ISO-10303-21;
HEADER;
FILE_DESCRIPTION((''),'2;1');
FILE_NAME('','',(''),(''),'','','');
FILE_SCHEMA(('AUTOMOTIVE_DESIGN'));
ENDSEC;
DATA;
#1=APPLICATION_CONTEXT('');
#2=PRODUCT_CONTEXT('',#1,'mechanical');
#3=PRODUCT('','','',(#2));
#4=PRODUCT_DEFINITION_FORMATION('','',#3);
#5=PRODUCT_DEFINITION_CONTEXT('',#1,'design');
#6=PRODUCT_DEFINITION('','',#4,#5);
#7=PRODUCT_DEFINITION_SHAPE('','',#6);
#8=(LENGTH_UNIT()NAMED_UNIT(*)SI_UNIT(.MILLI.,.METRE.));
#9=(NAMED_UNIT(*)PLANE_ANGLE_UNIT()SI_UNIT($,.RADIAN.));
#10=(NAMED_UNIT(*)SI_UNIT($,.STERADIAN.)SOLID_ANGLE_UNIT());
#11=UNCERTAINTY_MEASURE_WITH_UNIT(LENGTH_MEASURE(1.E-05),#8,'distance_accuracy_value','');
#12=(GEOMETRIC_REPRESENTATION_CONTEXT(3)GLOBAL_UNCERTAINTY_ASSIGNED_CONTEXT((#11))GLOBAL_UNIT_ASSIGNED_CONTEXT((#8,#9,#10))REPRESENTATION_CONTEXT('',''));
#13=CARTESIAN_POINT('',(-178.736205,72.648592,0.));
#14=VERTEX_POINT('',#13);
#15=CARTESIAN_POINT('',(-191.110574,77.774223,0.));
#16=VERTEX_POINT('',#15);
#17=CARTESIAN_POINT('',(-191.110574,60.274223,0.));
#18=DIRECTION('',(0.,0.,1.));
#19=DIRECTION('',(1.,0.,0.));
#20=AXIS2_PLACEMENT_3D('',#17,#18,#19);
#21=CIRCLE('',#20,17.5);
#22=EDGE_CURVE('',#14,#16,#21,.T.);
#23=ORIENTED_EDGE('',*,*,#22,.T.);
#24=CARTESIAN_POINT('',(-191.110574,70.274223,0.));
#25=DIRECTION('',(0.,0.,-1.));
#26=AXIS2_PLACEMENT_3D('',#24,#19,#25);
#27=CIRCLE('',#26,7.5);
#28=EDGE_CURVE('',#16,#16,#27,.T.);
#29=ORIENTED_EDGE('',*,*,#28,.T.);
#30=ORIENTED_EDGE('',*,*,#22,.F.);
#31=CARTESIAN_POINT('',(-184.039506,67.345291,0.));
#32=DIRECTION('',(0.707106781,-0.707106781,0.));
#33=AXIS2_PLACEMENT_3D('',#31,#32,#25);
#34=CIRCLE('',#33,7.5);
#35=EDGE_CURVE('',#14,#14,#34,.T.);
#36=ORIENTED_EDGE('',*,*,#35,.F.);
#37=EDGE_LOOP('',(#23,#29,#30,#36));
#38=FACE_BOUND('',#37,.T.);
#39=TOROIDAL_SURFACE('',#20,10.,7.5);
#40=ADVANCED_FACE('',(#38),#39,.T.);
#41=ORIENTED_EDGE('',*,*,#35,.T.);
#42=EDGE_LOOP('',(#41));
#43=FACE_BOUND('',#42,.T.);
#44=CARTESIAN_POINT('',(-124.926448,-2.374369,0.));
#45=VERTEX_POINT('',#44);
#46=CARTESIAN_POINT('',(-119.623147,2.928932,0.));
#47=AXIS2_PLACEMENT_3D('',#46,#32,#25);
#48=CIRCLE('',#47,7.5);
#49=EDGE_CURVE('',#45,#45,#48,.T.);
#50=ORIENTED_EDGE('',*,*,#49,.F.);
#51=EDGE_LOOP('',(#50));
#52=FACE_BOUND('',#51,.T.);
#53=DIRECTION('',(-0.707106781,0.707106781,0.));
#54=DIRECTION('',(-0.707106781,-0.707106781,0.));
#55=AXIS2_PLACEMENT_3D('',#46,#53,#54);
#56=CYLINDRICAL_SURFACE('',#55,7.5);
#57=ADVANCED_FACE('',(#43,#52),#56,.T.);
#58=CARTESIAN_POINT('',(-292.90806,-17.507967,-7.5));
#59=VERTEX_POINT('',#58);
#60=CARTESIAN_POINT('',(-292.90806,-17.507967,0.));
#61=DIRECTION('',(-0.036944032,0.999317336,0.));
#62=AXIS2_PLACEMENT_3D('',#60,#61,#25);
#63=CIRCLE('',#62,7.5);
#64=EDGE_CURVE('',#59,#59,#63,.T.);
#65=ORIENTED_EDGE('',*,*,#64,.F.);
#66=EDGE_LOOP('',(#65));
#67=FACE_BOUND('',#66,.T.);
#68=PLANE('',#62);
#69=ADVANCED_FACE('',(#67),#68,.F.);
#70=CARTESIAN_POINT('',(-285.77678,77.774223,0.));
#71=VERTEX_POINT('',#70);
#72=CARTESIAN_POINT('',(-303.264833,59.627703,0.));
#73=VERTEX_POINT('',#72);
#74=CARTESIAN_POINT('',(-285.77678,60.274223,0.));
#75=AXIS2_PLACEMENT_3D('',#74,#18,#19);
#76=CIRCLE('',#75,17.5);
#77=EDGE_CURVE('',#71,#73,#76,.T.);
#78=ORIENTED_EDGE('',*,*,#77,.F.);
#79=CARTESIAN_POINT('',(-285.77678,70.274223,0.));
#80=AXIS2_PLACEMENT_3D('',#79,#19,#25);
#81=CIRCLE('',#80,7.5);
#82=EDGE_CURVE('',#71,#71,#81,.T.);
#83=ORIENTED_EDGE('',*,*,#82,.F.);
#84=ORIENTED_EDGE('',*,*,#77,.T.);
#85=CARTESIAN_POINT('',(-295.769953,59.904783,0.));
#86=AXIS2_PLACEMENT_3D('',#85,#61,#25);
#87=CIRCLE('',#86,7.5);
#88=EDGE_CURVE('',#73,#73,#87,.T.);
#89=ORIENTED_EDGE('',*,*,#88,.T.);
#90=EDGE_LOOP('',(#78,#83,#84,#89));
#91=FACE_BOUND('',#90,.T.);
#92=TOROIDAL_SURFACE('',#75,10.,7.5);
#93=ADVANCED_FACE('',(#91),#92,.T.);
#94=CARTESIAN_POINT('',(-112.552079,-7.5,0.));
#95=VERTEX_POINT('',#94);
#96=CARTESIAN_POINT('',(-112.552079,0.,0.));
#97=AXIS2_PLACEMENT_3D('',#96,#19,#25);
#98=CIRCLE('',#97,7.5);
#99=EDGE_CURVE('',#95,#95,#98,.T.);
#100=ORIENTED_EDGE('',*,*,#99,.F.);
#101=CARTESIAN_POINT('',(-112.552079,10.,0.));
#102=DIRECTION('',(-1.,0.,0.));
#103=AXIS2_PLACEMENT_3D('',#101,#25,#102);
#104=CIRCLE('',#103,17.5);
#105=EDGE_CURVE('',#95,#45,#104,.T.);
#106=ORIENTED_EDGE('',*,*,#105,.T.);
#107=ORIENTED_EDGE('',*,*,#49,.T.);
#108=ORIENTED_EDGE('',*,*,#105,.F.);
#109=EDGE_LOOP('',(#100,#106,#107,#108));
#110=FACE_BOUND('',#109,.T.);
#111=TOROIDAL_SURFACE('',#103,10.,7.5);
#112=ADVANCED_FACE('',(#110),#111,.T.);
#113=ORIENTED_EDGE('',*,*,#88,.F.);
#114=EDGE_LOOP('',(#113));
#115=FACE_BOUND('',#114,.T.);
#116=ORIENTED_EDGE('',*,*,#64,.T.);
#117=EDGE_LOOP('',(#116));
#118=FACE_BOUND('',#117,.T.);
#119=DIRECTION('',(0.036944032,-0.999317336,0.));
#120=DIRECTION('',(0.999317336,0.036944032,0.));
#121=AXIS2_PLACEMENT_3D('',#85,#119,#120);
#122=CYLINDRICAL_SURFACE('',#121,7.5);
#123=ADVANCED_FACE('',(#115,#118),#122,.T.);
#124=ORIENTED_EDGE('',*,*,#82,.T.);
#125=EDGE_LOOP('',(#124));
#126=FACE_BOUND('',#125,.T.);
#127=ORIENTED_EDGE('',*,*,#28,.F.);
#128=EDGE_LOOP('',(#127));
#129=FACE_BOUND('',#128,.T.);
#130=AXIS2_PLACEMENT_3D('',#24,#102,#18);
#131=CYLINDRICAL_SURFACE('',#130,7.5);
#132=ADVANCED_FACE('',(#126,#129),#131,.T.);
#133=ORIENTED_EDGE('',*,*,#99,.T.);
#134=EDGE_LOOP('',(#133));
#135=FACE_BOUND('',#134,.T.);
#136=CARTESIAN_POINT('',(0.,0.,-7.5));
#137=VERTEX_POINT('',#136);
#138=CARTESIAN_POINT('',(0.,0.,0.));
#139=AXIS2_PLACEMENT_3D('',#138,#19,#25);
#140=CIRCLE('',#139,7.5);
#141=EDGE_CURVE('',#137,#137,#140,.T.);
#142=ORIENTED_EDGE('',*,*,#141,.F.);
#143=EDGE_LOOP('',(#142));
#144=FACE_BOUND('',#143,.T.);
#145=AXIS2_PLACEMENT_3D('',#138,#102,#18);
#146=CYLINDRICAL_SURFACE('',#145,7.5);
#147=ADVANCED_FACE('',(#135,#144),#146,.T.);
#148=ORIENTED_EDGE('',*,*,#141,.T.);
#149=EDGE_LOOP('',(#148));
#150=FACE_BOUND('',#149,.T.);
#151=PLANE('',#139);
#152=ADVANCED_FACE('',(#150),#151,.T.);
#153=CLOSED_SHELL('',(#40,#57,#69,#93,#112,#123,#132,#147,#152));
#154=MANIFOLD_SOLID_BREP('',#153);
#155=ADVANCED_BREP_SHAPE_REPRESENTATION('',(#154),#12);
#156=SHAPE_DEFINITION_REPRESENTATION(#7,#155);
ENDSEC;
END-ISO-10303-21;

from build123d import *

# Parameters (mm, degrees)
SKETCH1_R = 7.5


with BuildPart() as part:
    # Sweep3: sweep along a curve in space
    with BuildLine() as sweep3_path:
        Line((0, 0, 0), (-112.552079249, 0, 0))
        ThreePointArc((-112.552079249, 0, 0), (-116.378913573, 0.761204675, 0), (-119.623147061, 2.928932188, 0))
        Line((-119.623147061, 2.928932188, 0), (-184.039505872, 67.345290999, 0))
        ThreePointArc((-184.039505872, 67.345290999, 0), (-187.28373936, 69.513018512, 0), (-191.110573684, 70.274223187, 0))
        Line((-191.110573684, 70.274223187, 0), (-285.776779589, 70.274223187, 0))
        ThreePointArc((-285.776779589, 70.274223187, 0), (-292.977279683, 67.213444929, 0), (-295.769952951, 59.904782865, 0))
        Line((-295.769952951, 59.904782865, 0), (-292.90806011, -17.507967024, 0))
    # Sketch1 → Sweep3 (sweep)
    with BuildSketch(Plane(origin=(0, 0, 0), x_dir=(0, 0, -1), z_dir=(1, 0, 0))):
        Circle(SKETCH1_R)
    sweep(path=sweep3_path.line)


solid = part.part
